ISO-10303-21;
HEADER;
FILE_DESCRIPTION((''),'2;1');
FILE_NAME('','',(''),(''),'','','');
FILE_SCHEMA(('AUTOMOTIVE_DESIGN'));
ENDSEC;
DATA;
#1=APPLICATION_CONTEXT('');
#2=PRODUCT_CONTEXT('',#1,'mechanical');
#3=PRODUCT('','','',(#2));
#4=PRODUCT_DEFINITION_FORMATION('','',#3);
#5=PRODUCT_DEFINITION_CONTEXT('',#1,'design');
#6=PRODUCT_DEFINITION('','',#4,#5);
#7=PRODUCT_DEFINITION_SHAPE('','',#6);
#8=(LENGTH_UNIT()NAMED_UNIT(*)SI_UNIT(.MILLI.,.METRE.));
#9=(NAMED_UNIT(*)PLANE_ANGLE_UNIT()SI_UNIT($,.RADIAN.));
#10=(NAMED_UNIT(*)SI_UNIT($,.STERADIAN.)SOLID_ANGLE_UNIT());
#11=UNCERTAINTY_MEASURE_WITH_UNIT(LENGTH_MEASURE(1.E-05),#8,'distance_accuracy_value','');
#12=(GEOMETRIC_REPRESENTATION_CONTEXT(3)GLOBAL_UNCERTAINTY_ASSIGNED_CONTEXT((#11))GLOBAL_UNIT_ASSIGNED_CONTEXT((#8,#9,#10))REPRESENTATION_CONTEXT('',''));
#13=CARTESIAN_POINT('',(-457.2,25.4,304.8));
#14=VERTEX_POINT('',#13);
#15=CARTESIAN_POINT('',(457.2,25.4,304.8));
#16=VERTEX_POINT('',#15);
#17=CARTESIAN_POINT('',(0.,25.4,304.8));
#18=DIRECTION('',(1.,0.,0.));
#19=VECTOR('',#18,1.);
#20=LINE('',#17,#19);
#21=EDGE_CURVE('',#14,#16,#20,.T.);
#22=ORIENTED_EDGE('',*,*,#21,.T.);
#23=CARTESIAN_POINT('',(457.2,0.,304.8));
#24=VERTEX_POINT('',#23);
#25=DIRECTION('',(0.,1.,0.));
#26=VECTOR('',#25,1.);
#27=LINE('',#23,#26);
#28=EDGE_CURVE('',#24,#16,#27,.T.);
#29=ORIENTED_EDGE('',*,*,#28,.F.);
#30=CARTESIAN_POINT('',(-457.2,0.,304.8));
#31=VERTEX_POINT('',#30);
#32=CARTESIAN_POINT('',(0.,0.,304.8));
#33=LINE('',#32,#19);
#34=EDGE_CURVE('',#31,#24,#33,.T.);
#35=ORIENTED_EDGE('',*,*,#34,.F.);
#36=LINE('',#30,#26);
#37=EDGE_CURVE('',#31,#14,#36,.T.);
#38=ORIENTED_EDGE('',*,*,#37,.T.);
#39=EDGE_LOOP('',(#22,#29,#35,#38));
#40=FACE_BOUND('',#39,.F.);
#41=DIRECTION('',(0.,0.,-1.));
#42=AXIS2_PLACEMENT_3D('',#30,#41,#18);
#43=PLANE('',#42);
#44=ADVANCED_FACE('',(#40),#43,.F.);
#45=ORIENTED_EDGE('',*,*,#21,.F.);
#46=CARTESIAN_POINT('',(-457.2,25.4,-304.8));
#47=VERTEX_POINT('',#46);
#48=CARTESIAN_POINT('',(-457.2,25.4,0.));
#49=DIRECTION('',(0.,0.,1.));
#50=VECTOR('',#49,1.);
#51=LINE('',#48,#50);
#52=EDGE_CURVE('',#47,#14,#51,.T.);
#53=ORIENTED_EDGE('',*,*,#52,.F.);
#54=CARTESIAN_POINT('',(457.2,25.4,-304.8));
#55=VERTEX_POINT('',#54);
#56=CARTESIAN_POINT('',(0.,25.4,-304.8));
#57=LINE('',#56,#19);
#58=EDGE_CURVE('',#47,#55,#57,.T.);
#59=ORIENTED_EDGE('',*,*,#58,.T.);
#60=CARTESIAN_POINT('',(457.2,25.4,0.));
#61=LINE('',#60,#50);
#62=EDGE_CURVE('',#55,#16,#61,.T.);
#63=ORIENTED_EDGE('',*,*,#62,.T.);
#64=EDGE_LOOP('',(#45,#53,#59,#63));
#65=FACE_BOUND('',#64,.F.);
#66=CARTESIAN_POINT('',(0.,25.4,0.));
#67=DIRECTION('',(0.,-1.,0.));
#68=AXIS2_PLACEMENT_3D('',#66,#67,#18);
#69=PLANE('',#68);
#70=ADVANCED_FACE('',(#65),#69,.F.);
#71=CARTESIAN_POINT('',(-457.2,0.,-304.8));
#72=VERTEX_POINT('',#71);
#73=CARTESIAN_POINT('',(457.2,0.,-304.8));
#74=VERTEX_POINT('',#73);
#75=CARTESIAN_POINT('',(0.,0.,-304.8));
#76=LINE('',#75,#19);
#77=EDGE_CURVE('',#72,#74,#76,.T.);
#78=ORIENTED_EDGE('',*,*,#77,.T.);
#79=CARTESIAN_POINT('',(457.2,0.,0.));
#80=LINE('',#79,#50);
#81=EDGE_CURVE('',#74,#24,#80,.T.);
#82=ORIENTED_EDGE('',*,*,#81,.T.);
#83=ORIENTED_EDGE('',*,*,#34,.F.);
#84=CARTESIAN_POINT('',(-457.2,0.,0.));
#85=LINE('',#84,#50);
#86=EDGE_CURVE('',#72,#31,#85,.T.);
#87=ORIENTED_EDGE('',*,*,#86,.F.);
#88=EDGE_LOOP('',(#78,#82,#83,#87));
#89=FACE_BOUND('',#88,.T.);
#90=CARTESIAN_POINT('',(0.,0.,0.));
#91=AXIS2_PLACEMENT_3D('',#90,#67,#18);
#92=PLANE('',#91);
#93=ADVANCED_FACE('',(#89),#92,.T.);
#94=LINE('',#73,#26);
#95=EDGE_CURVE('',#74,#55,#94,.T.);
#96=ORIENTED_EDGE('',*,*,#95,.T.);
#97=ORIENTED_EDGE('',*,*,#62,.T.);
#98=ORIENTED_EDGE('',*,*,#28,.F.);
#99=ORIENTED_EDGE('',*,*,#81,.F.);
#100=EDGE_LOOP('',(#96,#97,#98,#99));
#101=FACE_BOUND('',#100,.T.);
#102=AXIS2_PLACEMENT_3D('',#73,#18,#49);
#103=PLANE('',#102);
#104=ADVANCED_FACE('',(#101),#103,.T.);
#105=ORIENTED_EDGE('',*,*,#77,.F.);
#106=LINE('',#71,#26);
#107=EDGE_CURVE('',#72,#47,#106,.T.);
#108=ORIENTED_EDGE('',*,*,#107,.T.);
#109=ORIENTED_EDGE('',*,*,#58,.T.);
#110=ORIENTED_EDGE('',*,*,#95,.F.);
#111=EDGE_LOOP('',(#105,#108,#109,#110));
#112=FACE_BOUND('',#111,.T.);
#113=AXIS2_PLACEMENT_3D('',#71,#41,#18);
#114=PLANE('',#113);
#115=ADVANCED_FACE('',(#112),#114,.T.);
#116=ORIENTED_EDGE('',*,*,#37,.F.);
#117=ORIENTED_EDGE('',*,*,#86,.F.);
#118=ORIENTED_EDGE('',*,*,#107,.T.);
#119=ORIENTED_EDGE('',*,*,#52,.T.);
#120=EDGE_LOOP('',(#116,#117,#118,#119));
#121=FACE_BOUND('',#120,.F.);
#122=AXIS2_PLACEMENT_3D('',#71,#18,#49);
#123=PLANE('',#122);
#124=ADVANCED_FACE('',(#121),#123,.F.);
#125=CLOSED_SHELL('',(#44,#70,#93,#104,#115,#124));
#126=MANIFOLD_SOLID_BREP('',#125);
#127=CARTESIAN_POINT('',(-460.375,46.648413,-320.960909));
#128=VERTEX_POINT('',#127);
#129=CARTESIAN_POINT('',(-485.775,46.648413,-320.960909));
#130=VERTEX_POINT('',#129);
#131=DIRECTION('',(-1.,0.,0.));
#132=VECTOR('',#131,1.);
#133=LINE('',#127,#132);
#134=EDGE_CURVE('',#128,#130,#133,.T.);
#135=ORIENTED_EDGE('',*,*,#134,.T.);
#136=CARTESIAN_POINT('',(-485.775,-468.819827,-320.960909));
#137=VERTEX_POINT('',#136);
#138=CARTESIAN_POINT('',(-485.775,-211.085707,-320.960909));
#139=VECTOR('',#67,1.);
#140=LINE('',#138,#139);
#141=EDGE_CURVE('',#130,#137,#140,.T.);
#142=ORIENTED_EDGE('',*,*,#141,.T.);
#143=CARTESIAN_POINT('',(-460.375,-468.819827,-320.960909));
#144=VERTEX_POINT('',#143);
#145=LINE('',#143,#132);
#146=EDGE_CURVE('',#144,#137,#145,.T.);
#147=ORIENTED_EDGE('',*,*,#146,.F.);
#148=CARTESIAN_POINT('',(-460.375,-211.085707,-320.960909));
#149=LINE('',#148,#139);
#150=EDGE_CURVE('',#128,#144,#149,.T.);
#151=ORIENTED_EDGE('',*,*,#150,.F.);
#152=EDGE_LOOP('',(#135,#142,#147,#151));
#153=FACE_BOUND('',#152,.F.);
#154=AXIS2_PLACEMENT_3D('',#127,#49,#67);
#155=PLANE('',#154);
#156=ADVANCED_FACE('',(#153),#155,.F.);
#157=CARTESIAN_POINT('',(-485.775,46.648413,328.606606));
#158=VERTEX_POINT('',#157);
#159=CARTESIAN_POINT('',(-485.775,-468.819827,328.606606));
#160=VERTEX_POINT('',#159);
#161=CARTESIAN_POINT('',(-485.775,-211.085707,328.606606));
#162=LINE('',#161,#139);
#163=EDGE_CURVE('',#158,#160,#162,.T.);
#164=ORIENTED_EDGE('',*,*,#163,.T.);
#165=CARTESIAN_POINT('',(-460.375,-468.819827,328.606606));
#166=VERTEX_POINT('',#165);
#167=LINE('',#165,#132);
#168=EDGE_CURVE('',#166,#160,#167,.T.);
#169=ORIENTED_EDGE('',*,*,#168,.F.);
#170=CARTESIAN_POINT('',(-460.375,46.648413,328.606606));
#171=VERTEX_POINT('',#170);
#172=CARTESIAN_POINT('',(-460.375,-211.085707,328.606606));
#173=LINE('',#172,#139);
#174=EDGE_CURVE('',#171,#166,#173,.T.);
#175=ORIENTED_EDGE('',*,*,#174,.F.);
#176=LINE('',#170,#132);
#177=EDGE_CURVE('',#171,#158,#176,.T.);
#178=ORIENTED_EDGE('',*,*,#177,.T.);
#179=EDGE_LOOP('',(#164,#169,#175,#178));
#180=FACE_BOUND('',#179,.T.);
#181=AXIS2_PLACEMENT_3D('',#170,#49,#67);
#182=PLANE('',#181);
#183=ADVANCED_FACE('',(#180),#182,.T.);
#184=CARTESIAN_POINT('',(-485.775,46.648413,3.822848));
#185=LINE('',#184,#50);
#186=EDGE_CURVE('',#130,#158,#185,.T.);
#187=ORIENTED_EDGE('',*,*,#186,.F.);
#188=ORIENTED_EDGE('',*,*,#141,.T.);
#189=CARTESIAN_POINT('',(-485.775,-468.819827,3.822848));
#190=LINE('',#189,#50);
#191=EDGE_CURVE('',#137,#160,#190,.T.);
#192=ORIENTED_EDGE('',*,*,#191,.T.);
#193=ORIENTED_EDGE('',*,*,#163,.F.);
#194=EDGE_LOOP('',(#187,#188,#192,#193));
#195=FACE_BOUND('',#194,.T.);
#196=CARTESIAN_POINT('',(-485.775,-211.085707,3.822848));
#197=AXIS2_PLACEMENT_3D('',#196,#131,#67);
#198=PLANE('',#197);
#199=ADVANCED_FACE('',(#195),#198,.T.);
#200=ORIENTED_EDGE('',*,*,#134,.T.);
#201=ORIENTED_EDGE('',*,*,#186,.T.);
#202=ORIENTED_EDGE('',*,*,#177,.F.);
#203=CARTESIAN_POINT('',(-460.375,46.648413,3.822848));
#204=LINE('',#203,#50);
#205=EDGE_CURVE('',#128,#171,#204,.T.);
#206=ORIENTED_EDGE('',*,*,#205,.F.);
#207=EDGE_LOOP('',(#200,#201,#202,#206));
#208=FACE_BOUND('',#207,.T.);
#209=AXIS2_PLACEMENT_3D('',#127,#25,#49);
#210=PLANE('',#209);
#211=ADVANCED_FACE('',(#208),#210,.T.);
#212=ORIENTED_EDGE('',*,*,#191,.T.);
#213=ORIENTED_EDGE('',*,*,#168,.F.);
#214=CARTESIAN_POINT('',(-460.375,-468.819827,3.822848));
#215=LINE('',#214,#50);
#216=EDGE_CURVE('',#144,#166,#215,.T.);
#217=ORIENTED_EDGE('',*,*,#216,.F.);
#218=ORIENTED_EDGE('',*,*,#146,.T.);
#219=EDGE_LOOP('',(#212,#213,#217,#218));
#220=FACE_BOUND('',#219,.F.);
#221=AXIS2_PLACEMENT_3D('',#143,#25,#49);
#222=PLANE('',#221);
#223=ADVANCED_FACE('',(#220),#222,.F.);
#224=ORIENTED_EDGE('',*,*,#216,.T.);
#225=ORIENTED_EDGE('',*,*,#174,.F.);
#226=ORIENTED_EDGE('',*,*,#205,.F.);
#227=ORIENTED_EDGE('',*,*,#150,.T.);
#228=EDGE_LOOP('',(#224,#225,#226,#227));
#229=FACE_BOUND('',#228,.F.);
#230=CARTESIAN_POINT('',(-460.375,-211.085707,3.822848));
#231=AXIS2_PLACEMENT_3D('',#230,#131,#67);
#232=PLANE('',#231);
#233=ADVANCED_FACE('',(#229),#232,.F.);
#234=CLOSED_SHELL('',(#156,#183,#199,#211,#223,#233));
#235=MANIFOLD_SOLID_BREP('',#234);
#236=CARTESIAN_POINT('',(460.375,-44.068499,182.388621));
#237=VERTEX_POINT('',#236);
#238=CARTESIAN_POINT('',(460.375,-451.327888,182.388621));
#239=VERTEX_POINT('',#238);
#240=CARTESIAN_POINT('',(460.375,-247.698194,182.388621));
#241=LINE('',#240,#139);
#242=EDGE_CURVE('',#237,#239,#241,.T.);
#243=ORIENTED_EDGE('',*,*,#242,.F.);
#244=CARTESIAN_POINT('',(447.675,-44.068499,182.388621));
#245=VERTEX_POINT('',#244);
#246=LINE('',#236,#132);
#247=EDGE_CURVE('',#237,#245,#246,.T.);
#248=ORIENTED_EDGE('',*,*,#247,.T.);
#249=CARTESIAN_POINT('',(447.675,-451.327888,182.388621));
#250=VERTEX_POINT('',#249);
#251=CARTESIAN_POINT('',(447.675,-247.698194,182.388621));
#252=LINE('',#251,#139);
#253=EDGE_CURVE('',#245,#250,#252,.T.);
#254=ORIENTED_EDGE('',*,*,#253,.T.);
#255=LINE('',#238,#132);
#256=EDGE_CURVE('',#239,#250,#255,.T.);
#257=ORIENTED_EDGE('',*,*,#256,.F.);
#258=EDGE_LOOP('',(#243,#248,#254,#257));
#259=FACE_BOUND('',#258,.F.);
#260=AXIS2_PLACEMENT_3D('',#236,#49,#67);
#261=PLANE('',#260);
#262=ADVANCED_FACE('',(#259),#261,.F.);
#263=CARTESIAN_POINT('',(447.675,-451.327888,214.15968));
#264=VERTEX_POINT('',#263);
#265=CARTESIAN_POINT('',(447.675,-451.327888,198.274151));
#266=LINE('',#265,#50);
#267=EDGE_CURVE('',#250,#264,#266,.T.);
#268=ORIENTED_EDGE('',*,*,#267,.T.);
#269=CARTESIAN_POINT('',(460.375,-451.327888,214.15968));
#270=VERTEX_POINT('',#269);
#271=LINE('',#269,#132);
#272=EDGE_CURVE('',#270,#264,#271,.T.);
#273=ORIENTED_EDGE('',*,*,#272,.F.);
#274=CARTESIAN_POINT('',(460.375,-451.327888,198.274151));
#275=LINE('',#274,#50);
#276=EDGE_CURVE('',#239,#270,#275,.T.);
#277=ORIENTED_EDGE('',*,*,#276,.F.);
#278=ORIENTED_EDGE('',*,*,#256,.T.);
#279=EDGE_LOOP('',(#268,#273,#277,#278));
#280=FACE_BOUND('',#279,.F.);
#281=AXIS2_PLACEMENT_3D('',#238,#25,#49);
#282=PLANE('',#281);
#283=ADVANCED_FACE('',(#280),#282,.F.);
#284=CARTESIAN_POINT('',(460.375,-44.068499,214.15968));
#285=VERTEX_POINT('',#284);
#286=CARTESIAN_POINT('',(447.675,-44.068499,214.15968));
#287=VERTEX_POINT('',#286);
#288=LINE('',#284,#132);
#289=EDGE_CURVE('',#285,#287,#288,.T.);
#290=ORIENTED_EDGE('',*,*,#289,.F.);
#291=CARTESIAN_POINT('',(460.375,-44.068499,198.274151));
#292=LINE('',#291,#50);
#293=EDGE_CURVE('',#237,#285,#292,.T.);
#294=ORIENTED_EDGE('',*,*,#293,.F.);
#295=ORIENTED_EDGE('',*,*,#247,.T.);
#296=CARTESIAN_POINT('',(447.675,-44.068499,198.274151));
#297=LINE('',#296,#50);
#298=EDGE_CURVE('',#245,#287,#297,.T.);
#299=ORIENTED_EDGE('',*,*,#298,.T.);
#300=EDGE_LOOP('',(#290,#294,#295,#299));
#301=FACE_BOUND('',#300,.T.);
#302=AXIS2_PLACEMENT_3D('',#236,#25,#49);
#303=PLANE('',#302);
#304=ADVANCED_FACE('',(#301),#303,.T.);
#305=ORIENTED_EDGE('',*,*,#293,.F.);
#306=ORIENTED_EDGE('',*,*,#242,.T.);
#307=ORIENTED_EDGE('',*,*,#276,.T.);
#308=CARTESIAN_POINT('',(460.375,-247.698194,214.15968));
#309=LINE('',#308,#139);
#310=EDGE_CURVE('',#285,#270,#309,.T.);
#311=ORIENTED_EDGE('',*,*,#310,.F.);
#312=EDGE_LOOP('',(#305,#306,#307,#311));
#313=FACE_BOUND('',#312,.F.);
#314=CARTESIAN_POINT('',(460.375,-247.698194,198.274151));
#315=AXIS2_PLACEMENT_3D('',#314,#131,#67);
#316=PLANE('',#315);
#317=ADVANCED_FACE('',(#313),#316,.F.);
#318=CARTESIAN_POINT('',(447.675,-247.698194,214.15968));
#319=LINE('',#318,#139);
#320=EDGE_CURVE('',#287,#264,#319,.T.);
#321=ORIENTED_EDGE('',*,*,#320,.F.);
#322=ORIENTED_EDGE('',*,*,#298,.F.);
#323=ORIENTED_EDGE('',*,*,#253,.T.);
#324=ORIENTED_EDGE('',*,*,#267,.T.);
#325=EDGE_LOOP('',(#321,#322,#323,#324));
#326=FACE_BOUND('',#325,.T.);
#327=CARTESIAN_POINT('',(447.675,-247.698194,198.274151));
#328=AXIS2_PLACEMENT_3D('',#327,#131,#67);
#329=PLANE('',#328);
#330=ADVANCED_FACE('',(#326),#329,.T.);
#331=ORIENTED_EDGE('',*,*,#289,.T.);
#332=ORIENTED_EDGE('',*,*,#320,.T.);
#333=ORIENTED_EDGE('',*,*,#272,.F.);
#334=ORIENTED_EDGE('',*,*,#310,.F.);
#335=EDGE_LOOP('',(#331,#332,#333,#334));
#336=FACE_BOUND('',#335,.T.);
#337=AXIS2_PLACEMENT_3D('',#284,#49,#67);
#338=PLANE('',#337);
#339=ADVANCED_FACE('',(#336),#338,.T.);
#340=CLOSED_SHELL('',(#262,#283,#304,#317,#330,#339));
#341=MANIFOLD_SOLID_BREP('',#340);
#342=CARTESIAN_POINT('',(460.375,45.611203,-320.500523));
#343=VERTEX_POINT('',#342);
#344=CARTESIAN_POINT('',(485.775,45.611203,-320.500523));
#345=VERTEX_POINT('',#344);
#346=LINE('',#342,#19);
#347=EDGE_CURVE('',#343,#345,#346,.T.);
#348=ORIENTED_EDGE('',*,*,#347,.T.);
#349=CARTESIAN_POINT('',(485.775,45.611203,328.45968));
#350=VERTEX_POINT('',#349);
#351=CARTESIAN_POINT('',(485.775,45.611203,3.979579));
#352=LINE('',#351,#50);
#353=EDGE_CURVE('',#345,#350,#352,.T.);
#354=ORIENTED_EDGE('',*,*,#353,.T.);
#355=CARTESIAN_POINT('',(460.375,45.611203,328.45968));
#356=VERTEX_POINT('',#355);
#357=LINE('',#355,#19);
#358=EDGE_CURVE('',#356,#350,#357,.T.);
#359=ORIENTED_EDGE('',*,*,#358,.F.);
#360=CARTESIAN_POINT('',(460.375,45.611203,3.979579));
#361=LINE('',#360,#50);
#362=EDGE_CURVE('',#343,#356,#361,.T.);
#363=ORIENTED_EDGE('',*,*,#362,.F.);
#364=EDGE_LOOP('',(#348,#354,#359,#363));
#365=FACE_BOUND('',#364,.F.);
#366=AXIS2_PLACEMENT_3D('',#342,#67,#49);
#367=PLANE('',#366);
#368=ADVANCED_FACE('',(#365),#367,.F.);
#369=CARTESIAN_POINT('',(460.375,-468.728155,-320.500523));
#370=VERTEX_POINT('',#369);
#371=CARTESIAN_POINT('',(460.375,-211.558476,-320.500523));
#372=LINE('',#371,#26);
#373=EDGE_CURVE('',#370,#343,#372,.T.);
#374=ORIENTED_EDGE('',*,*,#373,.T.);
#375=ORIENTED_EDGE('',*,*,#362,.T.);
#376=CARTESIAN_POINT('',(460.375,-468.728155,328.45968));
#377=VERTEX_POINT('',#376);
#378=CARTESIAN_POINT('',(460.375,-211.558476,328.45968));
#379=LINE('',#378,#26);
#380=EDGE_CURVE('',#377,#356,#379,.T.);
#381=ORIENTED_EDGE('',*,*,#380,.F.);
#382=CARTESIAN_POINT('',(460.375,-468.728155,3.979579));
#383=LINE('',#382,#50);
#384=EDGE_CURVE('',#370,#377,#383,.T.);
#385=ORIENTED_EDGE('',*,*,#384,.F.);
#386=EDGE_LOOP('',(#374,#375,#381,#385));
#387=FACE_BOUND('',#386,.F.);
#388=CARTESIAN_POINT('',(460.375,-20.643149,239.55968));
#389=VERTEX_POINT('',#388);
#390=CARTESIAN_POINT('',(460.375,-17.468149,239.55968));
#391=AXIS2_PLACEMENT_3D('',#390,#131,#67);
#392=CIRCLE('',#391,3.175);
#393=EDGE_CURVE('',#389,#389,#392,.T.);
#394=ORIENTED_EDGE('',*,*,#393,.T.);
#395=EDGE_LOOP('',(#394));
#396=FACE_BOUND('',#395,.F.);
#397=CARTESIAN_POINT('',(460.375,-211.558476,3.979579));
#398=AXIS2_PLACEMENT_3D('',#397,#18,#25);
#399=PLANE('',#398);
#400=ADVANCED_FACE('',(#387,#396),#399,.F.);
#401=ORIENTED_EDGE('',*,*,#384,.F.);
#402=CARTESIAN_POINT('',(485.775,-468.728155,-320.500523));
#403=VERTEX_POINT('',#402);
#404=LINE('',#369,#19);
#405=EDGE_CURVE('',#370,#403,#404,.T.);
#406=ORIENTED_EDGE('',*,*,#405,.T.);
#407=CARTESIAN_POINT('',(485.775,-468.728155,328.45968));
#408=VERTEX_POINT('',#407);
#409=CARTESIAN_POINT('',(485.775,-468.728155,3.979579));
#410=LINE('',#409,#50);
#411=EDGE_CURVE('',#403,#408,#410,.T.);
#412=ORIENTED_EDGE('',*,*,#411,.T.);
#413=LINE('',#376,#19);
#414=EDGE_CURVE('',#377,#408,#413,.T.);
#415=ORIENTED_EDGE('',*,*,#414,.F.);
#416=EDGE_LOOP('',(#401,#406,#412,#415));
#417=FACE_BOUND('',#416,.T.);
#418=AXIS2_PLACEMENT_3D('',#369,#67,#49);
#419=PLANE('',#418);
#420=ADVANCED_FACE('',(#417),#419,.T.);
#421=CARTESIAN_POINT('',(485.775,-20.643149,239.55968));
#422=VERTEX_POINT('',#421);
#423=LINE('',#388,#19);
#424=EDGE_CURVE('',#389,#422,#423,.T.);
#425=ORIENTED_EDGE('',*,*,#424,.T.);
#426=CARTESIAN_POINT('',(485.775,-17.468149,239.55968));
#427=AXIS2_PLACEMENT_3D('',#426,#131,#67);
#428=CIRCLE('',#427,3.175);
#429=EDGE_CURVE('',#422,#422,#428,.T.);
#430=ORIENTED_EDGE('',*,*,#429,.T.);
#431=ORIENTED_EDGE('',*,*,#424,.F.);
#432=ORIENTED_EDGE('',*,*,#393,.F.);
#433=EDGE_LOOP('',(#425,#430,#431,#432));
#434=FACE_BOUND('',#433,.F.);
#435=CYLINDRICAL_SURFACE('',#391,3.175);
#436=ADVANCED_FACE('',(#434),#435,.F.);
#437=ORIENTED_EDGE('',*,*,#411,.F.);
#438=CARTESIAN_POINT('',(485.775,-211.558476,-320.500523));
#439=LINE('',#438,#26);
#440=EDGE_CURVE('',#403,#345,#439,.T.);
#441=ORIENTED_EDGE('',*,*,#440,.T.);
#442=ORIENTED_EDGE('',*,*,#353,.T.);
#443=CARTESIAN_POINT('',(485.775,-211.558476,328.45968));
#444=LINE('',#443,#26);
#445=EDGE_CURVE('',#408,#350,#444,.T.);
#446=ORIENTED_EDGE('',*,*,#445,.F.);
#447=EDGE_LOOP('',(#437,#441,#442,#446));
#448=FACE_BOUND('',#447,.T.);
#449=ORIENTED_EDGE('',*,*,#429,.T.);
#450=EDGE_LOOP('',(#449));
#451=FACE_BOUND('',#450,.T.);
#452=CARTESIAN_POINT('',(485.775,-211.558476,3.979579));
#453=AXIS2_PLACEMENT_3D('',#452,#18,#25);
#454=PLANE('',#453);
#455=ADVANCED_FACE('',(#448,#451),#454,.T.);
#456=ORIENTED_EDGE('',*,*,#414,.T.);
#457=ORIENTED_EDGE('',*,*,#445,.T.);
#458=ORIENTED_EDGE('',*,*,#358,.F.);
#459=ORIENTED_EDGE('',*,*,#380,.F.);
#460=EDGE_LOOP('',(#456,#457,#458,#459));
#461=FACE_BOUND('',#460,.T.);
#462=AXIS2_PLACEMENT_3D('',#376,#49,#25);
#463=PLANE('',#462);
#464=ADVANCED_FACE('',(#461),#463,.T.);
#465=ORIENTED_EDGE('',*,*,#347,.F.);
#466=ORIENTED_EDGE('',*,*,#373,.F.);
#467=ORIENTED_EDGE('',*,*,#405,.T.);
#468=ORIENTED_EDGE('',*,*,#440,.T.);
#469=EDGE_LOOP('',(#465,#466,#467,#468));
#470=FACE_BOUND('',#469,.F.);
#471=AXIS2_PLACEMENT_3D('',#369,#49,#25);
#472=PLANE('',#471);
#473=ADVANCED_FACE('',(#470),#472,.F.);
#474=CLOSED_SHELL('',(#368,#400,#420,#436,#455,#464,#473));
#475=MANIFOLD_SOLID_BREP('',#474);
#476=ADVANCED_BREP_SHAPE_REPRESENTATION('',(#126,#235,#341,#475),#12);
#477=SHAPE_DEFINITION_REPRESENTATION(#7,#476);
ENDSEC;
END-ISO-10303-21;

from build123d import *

# Parameters (mm, degrees)
F0_W     = 914.4
F0_H     = 609.6
F1_DEPTH = 25.4
F3_START = 3.175
F2_W     = 514.3393576145
F2_H     = 648.9602029324
F3_DEPTH = 25.4
F5_START = 3.175
F4_W     = 515.4682397842
F4_H     = 649.567514658
F5_DEPTH = 25.4
F6_R     = 3.175
F7_DEPTH = 25.401
F8_W     = 407.2593894481
F8_H     = 31.7710586576
F9_DEPTH = 12.7


with BuildPart() as f1:
    # F0 (on Front) → F1 (new body)
    with BuildSketch(Plane.XZ):
        Rectangle(F0_W, F0_H)
    extrude(amount=-F1_DEPTH)


with BuildPart() as f3:
    # F2 (on face) → F3 (new body)
    with BuildSketch(Plane.YZ.offset(457.2).offset(F3_START)):
        with Locations((-211.5584760904, 3.9795786142)):
            Rectangle(F2_W, F2_H)
    extrude(amount=F3_DEPTH)

    # F6 (on face) → F7 (cut, through all)
    with BuildSketch(Plane(origin=(460.375, 0, 0), x_dir=(0, -1, 0), z_dir=(-1, 0, 0))):
        with Locations((17.4681488425, 239.5596800804)):
            Circle(F6_R)
    extrude(amount=-F7_DEPTH, mode=Mode.SUBTRACT)


with BuildPart() as f5:
    # F4 (on face) → F5 (new body)
    with BuildSketch(Plane(origin=(-457.2, 0, 0), x_dir=(0, -1, 0), z_dir=(-1, 0, 0)).offset(F5_START)):
        with Locations((211.0857069492, 3.8228482008)):
            Rectangle(F4_W, F4_H)
    extrude(amount=F5_DEPTH)


with BuildPart() as f9:
    # F8 (on face) → F9 (new body)
    with BuildSketch(Plane(origin=(460.375, 0, 0), x_dir=(0, -1, 0), z_dir=(-1, 0, 0))):
        with Locations((247.6981936488, 198.2741507516)):
            Rectangle(F8_W, F8_H)
    extrude(amount=F9_DEPTH)


solid = Compound([f1.part, f3.part, f5.part, f9.part])
